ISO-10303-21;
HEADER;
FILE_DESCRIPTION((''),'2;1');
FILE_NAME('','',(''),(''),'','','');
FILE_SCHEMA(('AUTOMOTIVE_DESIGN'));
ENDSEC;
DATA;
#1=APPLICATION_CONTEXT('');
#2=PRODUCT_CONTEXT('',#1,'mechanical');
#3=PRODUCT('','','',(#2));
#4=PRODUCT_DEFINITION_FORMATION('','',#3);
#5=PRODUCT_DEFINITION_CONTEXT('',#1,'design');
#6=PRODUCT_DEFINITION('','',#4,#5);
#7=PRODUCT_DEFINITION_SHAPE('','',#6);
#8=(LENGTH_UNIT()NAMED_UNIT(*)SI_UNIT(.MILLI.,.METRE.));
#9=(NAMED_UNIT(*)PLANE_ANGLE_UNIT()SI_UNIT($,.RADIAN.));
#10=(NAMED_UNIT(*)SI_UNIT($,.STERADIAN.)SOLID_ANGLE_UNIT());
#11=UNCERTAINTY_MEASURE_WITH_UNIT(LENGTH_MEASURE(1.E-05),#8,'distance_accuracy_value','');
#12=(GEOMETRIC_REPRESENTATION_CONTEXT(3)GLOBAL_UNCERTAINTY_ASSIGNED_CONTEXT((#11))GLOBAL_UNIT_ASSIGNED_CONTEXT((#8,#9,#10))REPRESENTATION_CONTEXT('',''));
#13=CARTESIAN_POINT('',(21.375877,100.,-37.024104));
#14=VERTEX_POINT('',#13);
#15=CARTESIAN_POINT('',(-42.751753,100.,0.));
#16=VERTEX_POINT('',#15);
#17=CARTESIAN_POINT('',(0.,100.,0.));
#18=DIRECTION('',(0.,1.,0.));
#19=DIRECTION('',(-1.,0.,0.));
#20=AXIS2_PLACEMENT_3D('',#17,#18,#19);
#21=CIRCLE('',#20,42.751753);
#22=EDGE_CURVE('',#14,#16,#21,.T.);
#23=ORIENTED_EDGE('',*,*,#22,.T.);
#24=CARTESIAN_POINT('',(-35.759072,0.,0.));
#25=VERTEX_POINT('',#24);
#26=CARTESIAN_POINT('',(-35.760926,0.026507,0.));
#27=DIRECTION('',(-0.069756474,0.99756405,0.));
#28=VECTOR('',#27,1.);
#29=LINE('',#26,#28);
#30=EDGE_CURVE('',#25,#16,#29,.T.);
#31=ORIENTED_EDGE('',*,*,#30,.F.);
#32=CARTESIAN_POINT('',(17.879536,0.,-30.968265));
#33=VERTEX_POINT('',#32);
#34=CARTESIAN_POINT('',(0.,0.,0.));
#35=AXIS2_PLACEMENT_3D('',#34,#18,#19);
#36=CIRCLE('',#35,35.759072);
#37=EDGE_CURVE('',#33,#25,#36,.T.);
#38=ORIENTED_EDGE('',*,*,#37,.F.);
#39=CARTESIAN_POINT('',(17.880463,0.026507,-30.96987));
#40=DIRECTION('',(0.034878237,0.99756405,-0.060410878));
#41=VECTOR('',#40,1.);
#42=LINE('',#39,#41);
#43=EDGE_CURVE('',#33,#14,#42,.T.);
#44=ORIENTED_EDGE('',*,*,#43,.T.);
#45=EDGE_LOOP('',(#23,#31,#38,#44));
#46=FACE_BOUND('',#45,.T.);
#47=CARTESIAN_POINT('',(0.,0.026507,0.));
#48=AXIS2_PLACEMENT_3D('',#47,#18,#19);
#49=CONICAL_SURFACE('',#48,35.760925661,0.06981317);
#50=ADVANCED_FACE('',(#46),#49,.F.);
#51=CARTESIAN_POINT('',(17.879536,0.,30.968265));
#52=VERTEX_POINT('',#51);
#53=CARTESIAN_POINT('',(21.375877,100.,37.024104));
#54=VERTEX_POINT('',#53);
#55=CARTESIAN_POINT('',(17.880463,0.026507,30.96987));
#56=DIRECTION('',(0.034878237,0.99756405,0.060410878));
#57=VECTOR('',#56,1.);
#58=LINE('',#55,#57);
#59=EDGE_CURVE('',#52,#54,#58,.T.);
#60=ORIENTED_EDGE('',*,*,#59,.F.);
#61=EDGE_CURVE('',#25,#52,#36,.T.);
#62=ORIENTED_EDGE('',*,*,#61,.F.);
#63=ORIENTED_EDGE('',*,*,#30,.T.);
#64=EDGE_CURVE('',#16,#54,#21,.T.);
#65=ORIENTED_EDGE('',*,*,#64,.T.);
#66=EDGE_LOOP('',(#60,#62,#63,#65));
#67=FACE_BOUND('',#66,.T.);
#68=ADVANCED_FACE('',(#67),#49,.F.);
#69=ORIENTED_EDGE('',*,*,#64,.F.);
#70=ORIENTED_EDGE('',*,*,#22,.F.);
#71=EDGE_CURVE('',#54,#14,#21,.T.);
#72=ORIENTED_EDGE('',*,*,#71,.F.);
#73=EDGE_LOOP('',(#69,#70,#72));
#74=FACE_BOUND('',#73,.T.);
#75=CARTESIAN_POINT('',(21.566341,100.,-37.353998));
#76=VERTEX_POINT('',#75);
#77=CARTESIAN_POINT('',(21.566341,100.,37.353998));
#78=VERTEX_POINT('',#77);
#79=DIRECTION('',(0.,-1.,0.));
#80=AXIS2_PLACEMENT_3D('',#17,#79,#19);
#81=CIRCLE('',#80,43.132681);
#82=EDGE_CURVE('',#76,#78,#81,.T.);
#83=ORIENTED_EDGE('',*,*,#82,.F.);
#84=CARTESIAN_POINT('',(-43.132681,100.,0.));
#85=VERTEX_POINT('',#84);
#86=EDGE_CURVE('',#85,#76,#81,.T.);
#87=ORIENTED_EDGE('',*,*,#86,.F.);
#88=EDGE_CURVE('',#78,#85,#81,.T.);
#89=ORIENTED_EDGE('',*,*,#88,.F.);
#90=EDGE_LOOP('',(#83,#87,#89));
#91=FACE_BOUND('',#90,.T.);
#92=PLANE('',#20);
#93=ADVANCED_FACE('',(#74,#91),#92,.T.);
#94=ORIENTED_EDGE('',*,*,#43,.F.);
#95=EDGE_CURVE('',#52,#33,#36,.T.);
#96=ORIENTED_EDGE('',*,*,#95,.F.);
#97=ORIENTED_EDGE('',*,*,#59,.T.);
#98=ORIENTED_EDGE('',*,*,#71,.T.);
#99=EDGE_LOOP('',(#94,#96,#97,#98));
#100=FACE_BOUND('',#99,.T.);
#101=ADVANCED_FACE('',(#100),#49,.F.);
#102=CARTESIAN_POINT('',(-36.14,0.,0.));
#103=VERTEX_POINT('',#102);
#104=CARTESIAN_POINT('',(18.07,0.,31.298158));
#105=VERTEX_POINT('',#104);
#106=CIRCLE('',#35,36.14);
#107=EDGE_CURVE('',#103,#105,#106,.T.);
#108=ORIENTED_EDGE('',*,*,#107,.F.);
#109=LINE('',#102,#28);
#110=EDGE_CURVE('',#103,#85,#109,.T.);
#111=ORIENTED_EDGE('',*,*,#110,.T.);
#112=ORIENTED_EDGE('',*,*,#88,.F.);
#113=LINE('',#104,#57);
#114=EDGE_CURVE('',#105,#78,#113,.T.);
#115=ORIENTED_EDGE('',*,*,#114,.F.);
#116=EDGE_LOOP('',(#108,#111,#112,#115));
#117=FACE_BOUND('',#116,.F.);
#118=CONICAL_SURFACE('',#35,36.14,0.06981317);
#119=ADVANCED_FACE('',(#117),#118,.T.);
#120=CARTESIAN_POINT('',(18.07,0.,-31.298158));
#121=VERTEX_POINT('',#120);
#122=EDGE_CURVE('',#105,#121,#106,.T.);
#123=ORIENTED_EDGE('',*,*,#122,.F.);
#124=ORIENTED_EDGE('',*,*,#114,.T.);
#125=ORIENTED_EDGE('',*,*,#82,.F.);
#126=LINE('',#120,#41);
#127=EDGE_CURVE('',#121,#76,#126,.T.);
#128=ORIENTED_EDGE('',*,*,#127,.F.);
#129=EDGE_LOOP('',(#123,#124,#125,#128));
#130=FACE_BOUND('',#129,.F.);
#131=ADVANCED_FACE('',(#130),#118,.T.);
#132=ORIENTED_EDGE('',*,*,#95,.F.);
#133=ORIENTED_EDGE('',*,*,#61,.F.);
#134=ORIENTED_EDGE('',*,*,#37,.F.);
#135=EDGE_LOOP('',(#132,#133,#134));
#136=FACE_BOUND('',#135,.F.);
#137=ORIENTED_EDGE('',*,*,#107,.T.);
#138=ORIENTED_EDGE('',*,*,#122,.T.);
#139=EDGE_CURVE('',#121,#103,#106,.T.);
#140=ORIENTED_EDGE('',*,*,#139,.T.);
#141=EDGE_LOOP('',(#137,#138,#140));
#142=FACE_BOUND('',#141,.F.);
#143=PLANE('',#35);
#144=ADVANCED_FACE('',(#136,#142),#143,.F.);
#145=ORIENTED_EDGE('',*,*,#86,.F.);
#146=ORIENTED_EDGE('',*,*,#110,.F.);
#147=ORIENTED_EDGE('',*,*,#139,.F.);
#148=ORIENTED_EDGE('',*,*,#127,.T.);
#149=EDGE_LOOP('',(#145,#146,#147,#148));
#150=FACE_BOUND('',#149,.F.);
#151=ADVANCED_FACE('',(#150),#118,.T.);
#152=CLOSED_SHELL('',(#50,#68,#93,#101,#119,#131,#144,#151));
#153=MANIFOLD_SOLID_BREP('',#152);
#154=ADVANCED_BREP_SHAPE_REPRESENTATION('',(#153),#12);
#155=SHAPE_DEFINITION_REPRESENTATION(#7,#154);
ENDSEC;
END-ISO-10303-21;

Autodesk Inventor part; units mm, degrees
ref_plane "YZ Plane" through (0, 0, 0) normal (1, 0, 0) x (0, 1, 0)
ref_plane "XZ Plane" through (0, 0, 0) normal (0, 1, 0) x (-1, 0, 0)
ref_plane "XY Plane" through (0, 0, 0) normal (0, 0, 1) x (1, 0, 0)
sketch "Sketch1" plane through (0, 0, 0) normal (0, 1, 0) x (-1, 0, 0)
  circle A0 centre (0, 0) radius 36.14
  dimension "d0" = 72.28
extrude "Extrusion1" add sketch "Sketch1" along normal blind 100 draft 4
shell "Shell1" thickness 0.38 removed faces 2 at (-7.9764, 0, 7.1147) at (-8.1176, 100, 9.5927)
properties part number "E"
